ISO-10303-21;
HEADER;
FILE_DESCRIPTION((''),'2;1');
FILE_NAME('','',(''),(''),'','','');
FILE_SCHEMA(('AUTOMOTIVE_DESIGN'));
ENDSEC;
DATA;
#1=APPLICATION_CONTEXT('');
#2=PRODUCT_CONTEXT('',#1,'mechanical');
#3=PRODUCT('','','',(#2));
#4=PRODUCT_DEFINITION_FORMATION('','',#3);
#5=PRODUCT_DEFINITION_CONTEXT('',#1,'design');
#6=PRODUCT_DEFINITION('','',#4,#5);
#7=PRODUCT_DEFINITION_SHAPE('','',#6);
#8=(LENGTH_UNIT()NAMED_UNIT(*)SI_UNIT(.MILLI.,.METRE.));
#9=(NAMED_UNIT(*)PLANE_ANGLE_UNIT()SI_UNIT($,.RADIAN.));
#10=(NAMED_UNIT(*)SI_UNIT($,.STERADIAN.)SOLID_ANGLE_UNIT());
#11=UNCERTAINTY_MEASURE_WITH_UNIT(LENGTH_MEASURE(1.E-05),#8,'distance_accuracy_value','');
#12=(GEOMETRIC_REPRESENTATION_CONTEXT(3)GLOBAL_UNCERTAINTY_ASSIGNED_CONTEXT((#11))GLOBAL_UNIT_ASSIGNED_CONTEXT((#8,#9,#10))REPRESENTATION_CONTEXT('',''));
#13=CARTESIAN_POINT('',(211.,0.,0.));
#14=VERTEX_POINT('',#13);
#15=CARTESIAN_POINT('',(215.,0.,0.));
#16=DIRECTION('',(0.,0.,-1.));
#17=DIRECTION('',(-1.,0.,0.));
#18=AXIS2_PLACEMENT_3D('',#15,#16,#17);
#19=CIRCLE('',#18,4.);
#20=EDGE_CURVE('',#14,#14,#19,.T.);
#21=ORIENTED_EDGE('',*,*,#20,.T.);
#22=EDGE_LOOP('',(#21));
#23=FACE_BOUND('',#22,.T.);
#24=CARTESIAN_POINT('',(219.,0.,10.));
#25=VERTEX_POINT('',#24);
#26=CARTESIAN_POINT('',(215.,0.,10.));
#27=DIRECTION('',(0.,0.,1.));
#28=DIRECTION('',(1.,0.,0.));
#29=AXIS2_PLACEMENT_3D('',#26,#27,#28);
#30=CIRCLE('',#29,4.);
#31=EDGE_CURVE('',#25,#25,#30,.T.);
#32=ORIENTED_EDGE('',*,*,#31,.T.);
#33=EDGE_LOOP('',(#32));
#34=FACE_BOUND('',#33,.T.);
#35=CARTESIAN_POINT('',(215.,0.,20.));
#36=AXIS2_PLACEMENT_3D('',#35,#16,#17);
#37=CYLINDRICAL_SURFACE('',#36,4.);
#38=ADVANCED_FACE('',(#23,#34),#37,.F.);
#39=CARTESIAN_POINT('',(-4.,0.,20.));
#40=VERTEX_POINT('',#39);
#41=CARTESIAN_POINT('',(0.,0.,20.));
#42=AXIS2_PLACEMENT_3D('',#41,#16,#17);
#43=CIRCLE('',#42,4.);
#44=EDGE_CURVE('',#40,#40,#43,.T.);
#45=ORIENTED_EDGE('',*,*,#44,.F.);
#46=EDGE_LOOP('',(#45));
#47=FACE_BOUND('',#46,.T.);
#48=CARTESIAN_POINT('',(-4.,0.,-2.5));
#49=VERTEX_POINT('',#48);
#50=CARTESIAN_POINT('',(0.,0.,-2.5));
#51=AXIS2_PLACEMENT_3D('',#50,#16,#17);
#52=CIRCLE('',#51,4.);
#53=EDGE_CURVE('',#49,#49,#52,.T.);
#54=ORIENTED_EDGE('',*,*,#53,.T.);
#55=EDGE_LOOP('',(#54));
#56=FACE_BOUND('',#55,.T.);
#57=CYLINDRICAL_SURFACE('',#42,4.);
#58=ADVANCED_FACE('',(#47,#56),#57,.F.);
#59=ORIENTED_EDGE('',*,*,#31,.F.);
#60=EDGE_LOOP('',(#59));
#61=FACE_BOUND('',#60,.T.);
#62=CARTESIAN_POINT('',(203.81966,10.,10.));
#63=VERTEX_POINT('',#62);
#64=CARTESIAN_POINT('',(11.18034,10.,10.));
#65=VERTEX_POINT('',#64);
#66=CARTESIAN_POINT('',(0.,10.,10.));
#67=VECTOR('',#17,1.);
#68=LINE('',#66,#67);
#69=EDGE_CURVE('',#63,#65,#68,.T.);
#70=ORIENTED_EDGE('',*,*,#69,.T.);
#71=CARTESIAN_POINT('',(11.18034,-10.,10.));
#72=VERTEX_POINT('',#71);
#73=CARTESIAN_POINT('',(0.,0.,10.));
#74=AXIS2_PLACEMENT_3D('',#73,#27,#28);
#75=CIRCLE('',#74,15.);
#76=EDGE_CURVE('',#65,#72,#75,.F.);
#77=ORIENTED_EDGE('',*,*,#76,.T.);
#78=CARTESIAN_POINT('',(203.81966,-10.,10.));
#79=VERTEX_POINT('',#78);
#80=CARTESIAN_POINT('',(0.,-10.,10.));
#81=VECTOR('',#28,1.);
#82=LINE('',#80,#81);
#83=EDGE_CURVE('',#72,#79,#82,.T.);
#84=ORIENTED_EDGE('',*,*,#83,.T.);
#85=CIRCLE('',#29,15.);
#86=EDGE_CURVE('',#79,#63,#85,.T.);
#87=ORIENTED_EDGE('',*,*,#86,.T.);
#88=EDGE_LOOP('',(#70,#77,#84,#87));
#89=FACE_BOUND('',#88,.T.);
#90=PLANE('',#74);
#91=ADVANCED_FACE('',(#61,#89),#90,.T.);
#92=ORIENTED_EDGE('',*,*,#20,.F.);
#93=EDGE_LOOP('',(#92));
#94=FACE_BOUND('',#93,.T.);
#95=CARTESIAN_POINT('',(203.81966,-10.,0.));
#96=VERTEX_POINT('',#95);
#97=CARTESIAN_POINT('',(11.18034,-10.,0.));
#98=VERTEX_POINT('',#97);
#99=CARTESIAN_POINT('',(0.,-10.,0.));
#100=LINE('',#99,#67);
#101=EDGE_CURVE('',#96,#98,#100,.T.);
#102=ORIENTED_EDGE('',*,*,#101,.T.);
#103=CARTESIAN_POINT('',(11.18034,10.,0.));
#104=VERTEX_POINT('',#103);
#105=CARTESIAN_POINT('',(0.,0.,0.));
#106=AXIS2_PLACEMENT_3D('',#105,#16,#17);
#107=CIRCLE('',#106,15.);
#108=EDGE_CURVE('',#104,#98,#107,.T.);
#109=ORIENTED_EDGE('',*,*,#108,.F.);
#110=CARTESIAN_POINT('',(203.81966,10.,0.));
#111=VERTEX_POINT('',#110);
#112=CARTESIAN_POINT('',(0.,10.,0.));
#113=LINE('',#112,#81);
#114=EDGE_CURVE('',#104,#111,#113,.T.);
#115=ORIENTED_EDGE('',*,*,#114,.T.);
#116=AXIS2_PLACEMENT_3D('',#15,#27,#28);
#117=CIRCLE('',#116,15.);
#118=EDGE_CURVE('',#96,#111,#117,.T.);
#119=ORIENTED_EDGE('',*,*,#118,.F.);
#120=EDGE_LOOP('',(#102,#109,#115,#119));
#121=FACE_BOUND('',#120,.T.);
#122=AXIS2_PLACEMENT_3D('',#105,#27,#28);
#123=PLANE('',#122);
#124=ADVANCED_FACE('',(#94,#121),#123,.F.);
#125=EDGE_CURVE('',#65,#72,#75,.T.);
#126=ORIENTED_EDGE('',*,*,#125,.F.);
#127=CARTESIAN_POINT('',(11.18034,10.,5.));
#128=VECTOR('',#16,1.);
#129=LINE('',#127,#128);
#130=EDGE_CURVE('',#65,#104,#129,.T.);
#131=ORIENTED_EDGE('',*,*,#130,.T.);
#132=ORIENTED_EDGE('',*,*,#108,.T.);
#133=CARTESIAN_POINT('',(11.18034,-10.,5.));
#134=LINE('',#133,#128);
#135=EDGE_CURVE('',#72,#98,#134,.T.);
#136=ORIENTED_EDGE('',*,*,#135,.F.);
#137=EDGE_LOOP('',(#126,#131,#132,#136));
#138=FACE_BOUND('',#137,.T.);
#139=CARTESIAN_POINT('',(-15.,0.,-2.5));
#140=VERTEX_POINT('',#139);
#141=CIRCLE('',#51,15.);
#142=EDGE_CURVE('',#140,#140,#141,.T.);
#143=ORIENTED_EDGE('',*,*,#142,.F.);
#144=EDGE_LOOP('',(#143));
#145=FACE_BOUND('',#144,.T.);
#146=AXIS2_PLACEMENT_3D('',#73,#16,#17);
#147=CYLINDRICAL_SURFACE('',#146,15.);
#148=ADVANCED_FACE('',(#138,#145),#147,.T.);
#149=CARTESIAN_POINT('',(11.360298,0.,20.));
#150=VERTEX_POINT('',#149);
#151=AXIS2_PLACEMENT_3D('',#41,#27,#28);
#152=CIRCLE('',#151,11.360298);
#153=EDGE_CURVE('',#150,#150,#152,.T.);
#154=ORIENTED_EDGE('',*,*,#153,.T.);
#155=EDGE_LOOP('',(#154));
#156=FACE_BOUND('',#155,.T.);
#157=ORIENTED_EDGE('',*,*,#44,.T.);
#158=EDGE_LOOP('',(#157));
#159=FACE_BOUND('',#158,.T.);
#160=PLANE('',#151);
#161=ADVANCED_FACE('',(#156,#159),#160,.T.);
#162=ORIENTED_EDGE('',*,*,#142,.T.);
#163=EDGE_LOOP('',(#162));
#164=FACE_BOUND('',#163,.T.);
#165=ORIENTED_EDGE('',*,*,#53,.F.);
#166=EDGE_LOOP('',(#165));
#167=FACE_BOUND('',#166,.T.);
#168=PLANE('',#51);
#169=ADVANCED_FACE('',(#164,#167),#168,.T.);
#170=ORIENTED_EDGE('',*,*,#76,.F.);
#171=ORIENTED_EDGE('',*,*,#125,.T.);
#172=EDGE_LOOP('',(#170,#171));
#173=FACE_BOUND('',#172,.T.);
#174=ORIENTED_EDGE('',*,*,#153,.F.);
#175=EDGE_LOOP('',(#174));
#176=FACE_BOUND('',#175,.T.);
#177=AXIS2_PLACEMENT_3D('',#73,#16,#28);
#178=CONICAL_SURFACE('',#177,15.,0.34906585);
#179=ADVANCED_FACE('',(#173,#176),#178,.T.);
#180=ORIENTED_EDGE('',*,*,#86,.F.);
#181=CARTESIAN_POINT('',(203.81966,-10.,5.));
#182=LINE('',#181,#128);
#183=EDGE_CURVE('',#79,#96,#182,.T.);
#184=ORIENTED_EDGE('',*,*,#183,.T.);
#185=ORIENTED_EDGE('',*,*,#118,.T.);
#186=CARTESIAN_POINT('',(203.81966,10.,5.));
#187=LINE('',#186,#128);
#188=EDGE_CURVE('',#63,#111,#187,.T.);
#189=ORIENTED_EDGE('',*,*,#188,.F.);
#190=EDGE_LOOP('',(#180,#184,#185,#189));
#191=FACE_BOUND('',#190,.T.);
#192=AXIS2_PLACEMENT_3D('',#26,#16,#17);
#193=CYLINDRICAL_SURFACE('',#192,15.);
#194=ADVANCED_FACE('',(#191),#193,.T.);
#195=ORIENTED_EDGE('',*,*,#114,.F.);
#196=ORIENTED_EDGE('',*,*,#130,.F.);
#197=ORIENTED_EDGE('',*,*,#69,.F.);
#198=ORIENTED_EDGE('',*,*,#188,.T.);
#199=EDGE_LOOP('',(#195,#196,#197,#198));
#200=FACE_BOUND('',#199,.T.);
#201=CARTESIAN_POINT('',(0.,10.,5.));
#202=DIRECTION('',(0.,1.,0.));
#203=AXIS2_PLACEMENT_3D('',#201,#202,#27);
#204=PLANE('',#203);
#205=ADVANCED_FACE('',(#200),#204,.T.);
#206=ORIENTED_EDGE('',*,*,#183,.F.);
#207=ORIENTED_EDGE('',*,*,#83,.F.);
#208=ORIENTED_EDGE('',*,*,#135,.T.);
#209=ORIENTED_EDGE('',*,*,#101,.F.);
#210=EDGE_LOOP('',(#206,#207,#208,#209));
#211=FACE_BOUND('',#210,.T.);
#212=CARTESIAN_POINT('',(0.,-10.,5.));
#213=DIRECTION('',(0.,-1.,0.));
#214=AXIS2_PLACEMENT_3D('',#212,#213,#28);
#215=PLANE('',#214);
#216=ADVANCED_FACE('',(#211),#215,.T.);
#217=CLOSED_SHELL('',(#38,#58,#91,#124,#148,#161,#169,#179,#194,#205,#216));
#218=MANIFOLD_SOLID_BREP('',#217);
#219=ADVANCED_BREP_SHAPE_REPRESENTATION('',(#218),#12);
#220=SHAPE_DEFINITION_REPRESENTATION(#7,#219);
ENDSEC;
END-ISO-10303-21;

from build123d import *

# Parameters (mm, degrees)
SKETCH1_R             = 15
BOSS_EXTRUDE1_DEPTH   = 10
BOSS_EXTRUDE1_2_DEPTH = 10
SKETCH2_R             = 15
BOSS_EXTRUDE2_DEPTH   = 10
BOSS_EXTRUDE2_TAPER   = 20
BOSS_EXTRUDE3_DEPTH   = 5
BOSS_EXTRUDE4_DEPTH   = 5
SKETCH13_R            = 4
CUT_EXTRUDE1_DEPTH    = 20
BOSS_EXTRUDE7_START   = 2.5
SKETCH14_R            = 15
SKETCH14_R_2          = 4
BOSS_EXTRUDE7_DEPTH   = 2.5


with BuildPart() as part:
    # Sketch1 → Boss-Extrude1 (new body)
    with BuildSketch(Plane.XY):
        Circle(SKETCH1_R)
    extrude(amount=BOSS_EXTRUDE1_DEPTH)

    # Sketch2 → Boss-Extrude2 (add)
    with BuildSketch(Plane.XY.offset(10)):
        Circle(SKETCH2_R)
    extrude(amount=BOSS_EXTRUDE2_DEPTH, taper=BOSS_EXTRUDE2_TAPER)



with BuildPart() as body_2:
    # Sketch1 → Boss-Extrude1 2 (new body)
    with BuildSketch(Plane.XY):
        with Locations((215, 0)):
            Circle(SKETCH1_R)
    extrude(amount=BOSS_EXTRUDE1_2_DEPTH)


with BuildPart() as part_1:
    add(part.part)

    add(body_2.part)  # Boss-Extrude3 merges body 2
    # Sketch5 → Boss-Extrude3 (add)
    with BuildSketch(Plane.XY):
        with BuildLine():
            Line((203.819660113, 10), (11.180339887, 10))
            ThreePointArc((11.180339887, 10), (14.012585384, 5.352331347), (15, 0))
            ThreePointArc((15, 0), (14.012585384, -5.352331347), (11.180339887, -10))
            Line((11.180339887, -10), (203.819660113, -10))
            ThreePointArc((203.819660113, -10), (200, 0), (203.819660113, 10))
        make_face()
    extrude(amount=BOSS_EXTRUDE3_DEPTH)

    # Sketch6 → Boss-Extrude4 (add)
    with BuildSketch(Plane.XY.offset(5)):
        with BuildLine():
            ThreePointArc((15, 0), (14.947457842, -1.254393904), (14.790199458, -2.5))
            ThreePointArc((14.790199458, -2.5), (13.515906498, -6.505403256), (11.180339887, -10))
            Line((11.180339887, -10), (203.819660113, -10))
            ThreePointArc((203.819660113, -10), (200, 0), (203.819660113, 10))
            Line((203.819660113, 10), (11.180339887, 10))
            ThreePointArc((11.180339887, 10), (13.515906498, 6.505403256), (14.790199458, 2.5))
            ThreePointArc((14.790199458, 2.5), (14.947457842, 1.254393904), (15, 0))
        make_face()
    extrude(amount=BOSS_EXTRUDE4_DEPTH)

    # Sketch13 → Cut-Extrude1 (cut)
    with BuildSketch(Plane(origin=(0, 0, 0), x_dir=(-1, 0, 0), z_dir=(0, 0, -1))):
        with Locations((-215, 0)):
            Circle(SKETCH13_R)
        Circle(SKETCH13_R)
    extrude(amount=-CUT_EXTRUDE1_DEPTH, mode=Mode.SUBTRACT)

    # Sketch14 → Boss-Extrude7 (add)
    with BuildSketch(Plane(origin=(0, 0, 0), x_dir=(-1, 0, 0), z_dir=(0, 0, -1)).offset(BOSS_EXTRUDE7_START)):
        Circle(SKETCH14_R)
        Circle(SKETCH14_R_2, mode=Mode.SUBTRACT)
    extrude(amount=-BOSS_EXTRUDE7_DEPTH)


solid = part_1.part
